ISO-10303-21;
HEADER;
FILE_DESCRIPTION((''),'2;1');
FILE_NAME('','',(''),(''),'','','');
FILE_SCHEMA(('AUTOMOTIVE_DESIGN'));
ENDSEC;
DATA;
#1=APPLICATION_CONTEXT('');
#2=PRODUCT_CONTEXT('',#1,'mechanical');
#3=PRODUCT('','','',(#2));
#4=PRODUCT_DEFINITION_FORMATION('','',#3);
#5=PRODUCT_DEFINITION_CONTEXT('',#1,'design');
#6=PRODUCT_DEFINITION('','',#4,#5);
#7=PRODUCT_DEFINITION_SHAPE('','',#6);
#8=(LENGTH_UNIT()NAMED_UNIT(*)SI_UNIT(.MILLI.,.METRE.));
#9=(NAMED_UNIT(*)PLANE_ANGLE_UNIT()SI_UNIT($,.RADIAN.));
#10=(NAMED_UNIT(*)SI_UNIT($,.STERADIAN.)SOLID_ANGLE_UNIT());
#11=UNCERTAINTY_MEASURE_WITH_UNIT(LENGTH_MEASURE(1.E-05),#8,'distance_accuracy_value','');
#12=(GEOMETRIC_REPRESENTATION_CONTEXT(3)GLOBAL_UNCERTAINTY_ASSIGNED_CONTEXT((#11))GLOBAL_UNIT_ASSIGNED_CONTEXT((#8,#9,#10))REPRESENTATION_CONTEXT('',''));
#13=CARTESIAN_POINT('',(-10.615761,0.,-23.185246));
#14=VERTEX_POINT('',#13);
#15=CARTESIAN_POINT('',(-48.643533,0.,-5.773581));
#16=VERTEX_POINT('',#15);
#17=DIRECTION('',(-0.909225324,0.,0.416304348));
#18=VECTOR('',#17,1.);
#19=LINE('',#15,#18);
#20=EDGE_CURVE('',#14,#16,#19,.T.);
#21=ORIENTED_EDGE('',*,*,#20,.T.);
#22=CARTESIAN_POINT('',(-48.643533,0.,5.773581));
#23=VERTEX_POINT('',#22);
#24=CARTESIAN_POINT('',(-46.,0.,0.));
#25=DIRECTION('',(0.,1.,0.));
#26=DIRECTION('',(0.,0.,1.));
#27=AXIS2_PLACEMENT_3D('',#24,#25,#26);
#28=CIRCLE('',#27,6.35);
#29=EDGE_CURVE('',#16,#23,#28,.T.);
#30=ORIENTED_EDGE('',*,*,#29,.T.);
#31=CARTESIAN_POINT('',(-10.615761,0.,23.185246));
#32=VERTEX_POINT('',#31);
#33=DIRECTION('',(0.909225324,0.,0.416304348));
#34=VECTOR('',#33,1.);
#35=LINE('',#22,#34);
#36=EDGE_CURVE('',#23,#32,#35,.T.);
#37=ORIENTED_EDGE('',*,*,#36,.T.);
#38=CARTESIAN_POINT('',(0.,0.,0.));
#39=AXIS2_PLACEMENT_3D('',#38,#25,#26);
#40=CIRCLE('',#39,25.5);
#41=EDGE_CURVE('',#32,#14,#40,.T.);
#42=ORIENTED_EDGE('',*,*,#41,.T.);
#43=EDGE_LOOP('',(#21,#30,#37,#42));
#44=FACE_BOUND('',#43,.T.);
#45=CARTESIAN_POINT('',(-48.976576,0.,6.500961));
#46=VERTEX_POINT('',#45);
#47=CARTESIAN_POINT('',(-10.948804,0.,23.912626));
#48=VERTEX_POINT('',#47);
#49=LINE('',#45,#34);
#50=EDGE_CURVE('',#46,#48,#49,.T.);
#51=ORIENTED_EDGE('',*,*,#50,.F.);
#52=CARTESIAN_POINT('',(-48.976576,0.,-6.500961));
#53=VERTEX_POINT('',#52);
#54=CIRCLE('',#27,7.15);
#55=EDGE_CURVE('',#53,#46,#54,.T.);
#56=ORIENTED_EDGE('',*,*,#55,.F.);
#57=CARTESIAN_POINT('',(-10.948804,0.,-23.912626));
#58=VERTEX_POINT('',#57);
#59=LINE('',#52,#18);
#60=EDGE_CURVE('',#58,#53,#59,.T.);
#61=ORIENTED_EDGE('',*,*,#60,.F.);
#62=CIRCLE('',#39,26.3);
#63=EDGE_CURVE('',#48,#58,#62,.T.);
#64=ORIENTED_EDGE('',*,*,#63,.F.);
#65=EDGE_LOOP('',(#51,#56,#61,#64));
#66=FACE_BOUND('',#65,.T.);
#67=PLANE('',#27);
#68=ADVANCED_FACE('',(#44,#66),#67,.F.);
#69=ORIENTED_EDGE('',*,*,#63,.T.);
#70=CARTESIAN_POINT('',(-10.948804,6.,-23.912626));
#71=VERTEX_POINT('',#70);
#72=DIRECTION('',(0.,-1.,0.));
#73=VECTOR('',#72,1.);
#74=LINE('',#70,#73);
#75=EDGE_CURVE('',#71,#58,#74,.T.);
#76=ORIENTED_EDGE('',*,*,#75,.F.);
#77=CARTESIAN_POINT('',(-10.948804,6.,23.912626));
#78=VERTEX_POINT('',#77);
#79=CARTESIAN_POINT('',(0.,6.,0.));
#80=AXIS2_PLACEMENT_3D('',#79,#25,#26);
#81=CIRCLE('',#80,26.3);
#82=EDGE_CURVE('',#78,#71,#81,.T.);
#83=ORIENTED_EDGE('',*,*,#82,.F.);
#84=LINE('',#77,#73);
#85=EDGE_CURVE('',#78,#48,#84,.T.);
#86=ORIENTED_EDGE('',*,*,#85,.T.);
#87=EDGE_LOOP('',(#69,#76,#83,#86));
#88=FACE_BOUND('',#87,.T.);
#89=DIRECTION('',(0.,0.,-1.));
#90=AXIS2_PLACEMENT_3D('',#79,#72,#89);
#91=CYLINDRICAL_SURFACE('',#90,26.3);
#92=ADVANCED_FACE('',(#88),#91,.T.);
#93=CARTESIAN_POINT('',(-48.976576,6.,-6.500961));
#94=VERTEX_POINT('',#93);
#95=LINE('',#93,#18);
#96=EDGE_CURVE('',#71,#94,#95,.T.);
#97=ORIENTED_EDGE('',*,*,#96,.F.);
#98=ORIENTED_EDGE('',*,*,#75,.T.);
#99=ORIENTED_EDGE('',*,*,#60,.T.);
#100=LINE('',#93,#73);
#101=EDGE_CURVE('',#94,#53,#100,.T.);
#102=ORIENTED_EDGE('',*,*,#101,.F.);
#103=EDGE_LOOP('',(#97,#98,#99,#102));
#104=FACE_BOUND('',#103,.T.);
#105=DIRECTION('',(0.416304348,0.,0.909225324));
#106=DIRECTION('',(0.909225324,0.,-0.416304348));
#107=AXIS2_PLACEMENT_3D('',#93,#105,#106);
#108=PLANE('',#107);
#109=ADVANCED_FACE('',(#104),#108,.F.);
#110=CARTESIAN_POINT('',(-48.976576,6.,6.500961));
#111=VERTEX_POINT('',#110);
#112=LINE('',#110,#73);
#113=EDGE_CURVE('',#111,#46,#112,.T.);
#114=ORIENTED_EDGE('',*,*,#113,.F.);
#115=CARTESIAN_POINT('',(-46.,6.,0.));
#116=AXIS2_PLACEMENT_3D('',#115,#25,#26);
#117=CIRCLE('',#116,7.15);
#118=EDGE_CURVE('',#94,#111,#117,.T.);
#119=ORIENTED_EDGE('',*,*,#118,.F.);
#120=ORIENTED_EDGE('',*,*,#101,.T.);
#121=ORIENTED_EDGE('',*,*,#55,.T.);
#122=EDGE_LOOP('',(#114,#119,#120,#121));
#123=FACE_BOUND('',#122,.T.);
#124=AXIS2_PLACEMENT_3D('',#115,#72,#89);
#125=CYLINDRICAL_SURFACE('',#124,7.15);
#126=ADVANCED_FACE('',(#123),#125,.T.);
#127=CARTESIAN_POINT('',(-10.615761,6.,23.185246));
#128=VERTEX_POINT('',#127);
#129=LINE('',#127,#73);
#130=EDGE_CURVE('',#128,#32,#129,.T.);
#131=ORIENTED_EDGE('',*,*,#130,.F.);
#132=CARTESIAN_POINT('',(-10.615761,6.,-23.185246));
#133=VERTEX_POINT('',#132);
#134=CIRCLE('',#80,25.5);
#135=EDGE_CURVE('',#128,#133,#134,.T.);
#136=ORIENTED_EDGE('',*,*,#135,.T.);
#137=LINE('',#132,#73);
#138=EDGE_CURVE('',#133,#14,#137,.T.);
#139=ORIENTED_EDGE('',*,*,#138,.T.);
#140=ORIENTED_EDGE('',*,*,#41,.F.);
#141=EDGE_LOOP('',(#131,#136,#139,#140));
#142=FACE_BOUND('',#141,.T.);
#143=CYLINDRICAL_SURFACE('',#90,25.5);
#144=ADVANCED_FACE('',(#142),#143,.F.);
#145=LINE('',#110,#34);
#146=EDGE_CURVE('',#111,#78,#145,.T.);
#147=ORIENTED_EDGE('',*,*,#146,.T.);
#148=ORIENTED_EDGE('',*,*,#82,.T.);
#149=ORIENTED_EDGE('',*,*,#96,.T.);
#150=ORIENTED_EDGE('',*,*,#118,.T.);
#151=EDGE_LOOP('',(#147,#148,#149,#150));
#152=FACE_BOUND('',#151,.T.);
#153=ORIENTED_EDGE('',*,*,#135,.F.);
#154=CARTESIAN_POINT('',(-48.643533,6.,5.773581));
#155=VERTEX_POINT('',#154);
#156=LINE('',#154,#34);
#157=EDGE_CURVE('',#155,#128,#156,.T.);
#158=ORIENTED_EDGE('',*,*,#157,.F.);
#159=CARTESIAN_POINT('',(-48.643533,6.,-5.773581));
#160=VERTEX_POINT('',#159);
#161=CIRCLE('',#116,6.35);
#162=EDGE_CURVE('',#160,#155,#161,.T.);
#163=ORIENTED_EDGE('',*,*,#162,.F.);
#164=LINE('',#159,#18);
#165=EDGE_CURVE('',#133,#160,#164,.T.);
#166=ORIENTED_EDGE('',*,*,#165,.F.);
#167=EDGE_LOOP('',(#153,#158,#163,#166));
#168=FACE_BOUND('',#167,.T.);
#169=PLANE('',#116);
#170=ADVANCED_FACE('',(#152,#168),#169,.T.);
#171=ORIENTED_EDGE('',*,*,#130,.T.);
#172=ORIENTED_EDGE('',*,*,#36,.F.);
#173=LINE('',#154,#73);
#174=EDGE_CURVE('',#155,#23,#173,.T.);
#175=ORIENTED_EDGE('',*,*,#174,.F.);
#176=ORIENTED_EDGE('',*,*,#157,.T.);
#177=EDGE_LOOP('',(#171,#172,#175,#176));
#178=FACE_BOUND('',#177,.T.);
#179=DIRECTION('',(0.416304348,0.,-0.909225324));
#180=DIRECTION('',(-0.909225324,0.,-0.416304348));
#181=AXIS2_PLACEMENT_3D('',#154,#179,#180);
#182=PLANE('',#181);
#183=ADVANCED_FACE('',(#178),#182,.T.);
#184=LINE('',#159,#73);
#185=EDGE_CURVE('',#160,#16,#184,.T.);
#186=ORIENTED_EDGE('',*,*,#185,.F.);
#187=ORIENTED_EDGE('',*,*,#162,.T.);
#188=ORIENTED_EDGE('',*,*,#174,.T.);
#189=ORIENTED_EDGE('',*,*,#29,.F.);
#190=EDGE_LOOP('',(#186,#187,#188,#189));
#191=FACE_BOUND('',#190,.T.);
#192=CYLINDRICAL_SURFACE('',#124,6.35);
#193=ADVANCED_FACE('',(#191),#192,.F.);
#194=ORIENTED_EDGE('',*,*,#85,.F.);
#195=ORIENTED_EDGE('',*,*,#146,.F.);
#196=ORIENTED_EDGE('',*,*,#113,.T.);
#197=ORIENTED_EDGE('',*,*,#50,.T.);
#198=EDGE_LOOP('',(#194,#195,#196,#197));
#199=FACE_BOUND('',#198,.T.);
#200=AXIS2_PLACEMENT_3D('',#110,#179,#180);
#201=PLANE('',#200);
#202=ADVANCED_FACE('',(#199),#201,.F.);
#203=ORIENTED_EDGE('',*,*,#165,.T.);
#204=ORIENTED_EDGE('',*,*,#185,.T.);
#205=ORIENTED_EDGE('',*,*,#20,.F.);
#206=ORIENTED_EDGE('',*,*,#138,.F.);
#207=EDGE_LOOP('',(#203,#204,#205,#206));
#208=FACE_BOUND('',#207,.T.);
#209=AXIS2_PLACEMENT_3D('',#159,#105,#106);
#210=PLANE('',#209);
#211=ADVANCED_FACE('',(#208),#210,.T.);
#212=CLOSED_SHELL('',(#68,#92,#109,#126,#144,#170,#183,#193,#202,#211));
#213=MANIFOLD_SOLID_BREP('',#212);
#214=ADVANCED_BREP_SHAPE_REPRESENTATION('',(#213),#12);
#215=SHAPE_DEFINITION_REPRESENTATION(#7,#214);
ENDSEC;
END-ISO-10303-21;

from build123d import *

# Parameters (mm, degrees)
BOSS_EXTRUDE1_DEPTH = 6


with BuildPart() as part:
    # Sketch1 → Boss-Extrude1 (new body)
    with BuildSketch(Plane(origin=(0, 0, 0), x_dir=(1, 0, 0), z_dir=(0, 1, 0))):
        with BuildLine():
            Line((-48.976576087, 6.500961067), (-10.948804348, 23.912626024))
            ThreePointArc((-10.948804348, 23.912626024), (26.3, 0), (-10.948804348, -23.912626024))
            Line((-10.948804348, -23.912626024), (-48.976576087, -6.500961067))
            ThreePointArc((-48.976576087, -6.500961067), (-53.15, 0), (-48.976576087, 6.500961067))
        make_face()
        with BuildLine():
            Line((-48.643532609, 5.773580808), (-10.61576087, 23.185245764))
            ThreePointArc((-10.61576087, 23.185245764), (25.5, 0), (-10.61576087, -23.185245764))
            Line((-10.61576087, -23.185245764), (-48.643532609, -5.773580808))
            ThreePointArc((-48.643532609, -5.773580808), (-52.35, 0), (-48.643532609, 5.773580808))
        make_face(mode=Mode.SUBTRACT)
    extrude(amount=BOSS_EXTRUDE1_DEPTH)


solid = part.part
